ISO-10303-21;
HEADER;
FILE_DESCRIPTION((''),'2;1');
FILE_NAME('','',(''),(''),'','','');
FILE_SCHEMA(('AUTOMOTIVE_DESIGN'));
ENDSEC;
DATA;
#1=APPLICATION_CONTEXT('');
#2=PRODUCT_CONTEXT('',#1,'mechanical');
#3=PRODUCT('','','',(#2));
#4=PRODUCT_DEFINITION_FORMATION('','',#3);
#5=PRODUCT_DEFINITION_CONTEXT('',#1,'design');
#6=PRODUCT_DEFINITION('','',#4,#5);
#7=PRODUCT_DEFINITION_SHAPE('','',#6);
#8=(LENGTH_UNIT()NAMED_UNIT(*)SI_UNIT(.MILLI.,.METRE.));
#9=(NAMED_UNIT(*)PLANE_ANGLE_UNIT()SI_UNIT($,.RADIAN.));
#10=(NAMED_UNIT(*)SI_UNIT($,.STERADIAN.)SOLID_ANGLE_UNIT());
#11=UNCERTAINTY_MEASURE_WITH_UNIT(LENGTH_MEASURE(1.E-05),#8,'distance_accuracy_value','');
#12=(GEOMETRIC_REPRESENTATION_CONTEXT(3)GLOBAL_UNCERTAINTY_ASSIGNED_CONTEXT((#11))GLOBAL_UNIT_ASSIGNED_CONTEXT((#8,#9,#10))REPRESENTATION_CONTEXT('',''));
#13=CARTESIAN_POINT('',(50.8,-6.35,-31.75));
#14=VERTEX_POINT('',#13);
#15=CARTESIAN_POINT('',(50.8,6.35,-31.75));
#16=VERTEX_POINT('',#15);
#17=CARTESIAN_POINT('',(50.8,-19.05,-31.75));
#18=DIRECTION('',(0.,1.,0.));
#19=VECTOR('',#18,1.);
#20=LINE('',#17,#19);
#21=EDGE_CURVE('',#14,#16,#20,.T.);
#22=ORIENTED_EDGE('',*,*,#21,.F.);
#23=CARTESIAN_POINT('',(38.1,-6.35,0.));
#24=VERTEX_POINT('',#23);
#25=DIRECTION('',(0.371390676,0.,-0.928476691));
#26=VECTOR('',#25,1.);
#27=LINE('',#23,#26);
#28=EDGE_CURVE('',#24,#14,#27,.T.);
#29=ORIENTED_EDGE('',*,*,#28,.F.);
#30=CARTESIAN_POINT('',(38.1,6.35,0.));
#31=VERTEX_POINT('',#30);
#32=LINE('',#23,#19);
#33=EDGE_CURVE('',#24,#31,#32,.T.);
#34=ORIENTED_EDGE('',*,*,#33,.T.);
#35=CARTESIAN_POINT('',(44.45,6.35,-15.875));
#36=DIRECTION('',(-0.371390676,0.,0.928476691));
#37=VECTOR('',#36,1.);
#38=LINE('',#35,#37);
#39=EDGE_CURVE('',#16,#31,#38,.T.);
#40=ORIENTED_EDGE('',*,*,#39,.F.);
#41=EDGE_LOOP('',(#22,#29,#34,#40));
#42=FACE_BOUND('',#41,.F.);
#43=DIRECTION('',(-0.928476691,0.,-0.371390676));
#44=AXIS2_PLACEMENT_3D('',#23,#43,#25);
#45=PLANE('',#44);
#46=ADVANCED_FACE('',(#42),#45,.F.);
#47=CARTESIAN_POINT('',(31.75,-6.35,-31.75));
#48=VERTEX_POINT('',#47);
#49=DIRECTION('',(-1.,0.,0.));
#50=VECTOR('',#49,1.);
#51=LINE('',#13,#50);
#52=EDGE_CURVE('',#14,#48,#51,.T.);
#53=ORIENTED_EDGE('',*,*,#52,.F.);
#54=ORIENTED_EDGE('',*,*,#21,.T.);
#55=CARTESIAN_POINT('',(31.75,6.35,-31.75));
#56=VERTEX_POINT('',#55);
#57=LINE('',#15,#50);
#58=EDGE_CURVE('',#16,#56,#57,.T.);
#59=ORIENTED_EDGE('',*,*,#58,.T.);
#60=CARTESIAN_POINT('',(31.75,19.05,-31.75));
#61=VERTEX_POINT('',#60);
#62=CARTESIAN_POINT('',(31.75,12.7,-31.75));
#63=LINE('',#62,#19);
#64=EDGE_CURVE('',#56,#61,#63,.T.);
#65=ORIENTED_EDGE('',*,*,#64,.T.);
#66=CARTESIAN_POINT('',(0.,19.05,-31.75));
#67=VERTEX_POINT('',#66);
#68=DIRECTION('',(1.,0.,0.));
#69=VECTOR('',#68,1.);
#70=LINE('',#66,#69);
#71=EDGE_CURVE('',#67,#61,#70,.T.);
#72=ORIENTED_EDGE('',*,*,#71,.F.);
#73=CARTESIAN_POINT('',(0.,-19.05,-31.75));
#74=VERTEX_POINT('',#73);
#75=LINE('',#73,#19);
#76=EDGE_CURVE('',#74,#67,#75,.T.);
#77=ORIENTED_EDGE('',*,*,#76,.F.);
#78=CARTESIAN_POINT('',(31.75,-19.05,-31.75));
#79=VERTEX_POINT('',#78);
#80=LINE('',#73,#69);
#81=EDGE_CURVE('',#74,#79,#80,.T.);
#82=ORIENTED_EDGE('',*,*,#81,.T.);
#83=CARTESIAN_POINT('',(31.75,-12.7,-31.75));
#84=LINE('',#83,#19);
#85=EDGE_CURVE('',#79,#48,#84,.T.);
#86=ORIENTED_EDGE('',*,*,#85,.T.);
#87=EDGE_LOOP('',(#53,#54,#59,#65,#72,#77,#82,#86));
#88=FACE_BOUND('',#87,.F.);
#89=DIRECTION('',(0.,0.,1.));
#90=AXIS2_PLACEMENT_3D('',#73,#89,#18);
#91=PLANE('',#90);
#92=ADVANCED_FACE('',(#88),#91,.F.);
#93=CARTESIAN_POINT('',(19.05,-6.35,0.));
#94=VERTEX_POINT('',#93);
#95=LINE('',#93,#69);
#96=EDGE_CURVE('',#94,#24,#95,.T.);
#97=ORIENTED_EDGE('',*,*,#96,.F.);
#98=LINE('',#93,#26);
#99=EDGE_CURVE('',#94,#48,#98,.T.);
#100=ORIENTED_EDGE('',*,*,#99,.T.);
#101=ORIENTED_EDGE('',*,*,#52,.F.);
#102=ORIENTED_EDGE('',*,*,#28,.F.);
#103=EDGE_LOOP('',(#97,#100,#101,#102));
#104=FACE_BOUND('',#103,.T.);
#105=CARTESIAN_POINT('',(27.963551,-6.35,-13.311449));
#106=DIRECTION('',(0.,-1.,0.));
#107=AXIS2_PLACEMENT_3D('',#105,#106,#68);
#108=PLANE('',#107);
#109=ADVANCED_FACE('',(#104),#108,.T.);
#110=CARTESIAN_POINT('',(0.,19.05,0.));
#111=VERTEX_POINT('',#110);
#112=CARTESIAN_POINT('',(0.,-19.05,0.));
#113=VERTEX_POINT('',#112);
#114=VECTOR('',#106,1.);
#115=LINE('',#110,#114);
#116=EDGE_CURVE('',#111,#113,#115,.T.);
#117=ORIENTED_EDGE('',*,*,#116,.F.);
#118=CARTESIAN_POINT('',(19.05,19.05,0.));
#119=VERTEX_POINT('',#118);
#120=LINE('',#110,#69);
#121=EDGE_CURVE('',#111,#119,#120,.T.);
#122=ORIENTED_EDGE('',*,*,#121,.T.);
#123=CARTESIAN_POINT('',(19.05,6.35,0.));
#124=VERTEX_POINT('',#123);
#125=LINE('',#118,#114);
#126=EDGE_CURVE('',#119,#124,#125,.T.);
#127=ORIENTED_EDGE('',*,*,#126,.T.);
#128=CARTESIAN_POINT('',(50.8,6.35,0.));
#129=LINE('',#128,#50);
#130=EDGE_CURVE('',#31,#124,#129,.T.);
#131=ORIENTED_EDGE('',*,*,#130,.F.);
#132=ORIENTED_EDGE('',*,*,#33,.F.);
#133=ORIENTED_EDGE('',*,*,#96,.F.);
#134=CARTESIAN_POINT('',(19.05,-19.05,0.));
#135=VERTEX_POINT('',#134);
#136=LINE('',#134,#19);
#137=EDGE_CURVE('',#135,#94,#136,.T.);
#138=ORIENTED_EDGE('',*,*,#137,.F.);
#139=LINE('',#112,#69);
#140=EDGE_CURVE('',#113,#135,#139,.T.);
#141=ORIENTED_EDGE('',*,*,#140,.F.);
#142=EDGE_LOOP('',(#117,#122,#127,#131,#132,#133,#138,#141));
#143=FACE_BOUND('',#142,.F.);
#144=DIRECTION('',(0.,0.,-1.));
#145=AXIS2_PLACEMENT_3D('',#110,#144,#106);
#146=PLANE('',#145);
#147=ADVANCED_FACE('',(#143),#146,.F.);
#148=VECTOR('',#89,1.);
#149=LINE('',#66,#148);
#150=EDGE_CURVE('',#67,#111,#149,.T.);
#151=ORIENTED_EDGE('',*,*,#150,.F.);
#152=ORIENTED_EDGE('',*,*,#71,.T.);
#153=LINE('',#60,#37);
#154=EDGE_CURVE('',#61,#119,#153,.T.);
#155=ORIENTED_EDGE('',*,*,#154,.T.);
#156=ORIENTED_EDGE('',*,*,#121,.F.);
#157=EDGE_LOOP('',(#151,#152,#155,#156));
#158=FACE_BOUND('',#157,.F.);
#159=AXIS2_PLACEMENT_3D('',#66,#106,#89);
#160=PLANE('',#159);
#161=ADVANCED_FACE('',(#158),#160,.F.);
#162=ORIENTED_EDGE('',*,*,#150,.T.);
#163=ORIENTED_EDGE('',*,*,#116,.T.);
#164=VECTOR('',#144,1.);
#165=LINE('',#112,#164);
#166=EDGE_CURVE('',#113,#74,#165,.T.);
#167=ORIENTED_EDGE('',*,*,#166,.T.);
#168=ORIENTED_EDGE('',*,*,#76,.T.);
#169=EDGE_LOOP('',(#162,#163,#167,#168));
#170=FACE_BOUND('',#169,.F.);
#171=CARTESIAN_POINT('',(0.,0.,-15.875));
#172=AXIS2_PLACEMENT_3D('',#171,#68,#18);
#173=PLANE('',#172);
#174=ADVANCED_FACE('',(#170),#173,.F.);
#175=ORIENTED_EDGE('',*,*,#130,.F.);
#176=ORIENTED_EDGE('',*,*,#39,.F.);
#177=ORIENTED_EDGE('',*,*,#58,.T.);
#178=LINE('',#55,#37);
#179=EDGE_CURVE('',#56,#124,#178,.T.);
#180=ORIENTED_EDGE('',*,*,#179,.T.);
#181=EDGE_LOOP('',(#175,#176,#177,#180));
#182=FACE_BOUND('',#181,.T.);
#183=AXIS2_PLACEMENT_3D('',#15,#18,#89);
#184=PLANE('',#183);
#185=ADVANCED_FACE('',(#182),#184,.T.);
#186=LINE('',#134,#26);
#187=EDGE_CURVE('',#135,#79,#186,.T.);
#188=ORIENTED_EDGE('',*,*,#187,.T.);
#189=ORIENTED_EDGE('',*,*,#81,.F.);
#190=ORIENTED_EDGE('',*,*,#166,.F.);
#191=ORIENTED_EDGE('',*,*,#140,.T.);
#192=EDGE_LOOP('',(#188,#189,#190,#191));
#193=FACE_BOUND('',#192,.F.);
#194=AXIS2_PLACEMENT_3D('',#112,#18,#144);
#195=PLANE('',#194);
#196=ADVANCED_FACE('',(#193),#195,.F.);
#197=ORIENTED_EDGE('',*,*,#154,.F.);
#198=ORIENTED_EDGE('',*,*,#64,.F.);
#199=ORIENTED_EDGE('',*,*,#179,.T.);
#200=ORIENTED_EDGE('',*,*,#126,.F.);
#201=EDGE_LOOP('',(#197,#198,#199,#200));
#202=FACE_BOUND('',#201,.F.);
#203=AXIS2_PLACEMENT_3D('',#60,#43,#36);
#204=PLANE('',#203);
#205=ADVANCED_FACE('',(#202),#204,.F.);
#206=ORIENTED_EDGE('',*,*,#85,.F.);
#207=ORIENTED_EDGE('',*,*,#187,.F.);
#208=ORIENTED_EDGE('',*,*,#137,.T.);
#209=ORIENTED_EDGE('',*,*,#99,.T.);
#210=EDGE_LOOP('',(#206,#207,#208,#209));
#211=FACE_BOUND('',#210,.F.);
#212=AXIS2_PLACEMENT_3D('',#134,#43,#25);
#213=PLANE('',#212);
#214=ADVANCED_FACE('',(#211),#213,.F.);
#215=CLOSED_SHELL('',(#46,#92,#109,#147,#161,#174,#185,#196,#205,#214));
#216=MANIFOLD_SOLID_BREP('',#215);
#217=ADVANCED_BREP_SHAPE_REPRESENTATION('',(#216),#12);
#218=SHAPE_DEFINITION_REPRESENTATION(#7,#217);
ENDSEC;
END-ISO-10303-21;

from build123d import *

# Parameters (mm, degrees)
F1_DEPTH  = 50.8
F2_W      = 12.7
F2_H      = 31.75
F3_DEPTH  = 19.05
F5_DEPTH  = 12.7
F6_W      = 12.7
F6_H      = 31.75
F7_DEPTH  = 19.05
F9_DEPTH  = 12.7
F11_DEPTH = 25.4


with BuildPart() as f1:
    # F0 (on Right) → F1 (new body)
    with BuildSketch(Plane.YZ):
        Polygon((19.05, 0), (0, 0), (-19.05, 0), (-19.05, -31.75), (19.05, -31.75), align=None)
    extrude(amount=F1_DEPTH)

    # F2 (on face) → F3 (cut)
    with BuildSketch(Plane.YZ.offset(50.8)):
        with Locations((-12.7, -15.875)):
            Rectangle(F2_W, F2_H)
    extrude(amount=-F3_DEPTH, mode=Mode.SUBTRACT)

    # F4 (on face) → F5 (cut)
    with BuildSketch(Plane.XZ.offset(19.05)):
        Polygon((31.75, -31.75), (31.75, 0), (19.05, 0), align=None)
    extrude(amount=-F5_DEPTH, mode=Mode.SUBTRACT)

    # F6 (on face) → F7 (cut)
    with BuildSketch(Plane.YZ.offset(50.8)):
        with Locations((12.7, -15.875)):
            Rectangle(F6_W, F6_H)
    extrude(amount=-F7_DEPTH, mode=Mode.SUBTRACT)

    # F8 (on face) → F9 (cut)
    with BuildSketch(Plane(origin=(0, 19.05, 0), x_dir=(-1, 0, 0), z_dir=(0, 1, 0))):
        Polygon((-19.05, 0), (-31.75, 0), (-31.75, -31.75), align=None)
    extrude(amount=-F9_DEPTH, mode=Mode.SUBTRACT)

    # F10 (on face) → F11 (cut)
    with BuildSketch(Plane.XZ.offset(6.35)):
        Polygon((38.1, 0), (50.8, -31.75), (50.8, 0), align=None)
    extrude(amount=-F11_DEPTH, mode=Mode.SUBTRACT)


solid = f1.part
